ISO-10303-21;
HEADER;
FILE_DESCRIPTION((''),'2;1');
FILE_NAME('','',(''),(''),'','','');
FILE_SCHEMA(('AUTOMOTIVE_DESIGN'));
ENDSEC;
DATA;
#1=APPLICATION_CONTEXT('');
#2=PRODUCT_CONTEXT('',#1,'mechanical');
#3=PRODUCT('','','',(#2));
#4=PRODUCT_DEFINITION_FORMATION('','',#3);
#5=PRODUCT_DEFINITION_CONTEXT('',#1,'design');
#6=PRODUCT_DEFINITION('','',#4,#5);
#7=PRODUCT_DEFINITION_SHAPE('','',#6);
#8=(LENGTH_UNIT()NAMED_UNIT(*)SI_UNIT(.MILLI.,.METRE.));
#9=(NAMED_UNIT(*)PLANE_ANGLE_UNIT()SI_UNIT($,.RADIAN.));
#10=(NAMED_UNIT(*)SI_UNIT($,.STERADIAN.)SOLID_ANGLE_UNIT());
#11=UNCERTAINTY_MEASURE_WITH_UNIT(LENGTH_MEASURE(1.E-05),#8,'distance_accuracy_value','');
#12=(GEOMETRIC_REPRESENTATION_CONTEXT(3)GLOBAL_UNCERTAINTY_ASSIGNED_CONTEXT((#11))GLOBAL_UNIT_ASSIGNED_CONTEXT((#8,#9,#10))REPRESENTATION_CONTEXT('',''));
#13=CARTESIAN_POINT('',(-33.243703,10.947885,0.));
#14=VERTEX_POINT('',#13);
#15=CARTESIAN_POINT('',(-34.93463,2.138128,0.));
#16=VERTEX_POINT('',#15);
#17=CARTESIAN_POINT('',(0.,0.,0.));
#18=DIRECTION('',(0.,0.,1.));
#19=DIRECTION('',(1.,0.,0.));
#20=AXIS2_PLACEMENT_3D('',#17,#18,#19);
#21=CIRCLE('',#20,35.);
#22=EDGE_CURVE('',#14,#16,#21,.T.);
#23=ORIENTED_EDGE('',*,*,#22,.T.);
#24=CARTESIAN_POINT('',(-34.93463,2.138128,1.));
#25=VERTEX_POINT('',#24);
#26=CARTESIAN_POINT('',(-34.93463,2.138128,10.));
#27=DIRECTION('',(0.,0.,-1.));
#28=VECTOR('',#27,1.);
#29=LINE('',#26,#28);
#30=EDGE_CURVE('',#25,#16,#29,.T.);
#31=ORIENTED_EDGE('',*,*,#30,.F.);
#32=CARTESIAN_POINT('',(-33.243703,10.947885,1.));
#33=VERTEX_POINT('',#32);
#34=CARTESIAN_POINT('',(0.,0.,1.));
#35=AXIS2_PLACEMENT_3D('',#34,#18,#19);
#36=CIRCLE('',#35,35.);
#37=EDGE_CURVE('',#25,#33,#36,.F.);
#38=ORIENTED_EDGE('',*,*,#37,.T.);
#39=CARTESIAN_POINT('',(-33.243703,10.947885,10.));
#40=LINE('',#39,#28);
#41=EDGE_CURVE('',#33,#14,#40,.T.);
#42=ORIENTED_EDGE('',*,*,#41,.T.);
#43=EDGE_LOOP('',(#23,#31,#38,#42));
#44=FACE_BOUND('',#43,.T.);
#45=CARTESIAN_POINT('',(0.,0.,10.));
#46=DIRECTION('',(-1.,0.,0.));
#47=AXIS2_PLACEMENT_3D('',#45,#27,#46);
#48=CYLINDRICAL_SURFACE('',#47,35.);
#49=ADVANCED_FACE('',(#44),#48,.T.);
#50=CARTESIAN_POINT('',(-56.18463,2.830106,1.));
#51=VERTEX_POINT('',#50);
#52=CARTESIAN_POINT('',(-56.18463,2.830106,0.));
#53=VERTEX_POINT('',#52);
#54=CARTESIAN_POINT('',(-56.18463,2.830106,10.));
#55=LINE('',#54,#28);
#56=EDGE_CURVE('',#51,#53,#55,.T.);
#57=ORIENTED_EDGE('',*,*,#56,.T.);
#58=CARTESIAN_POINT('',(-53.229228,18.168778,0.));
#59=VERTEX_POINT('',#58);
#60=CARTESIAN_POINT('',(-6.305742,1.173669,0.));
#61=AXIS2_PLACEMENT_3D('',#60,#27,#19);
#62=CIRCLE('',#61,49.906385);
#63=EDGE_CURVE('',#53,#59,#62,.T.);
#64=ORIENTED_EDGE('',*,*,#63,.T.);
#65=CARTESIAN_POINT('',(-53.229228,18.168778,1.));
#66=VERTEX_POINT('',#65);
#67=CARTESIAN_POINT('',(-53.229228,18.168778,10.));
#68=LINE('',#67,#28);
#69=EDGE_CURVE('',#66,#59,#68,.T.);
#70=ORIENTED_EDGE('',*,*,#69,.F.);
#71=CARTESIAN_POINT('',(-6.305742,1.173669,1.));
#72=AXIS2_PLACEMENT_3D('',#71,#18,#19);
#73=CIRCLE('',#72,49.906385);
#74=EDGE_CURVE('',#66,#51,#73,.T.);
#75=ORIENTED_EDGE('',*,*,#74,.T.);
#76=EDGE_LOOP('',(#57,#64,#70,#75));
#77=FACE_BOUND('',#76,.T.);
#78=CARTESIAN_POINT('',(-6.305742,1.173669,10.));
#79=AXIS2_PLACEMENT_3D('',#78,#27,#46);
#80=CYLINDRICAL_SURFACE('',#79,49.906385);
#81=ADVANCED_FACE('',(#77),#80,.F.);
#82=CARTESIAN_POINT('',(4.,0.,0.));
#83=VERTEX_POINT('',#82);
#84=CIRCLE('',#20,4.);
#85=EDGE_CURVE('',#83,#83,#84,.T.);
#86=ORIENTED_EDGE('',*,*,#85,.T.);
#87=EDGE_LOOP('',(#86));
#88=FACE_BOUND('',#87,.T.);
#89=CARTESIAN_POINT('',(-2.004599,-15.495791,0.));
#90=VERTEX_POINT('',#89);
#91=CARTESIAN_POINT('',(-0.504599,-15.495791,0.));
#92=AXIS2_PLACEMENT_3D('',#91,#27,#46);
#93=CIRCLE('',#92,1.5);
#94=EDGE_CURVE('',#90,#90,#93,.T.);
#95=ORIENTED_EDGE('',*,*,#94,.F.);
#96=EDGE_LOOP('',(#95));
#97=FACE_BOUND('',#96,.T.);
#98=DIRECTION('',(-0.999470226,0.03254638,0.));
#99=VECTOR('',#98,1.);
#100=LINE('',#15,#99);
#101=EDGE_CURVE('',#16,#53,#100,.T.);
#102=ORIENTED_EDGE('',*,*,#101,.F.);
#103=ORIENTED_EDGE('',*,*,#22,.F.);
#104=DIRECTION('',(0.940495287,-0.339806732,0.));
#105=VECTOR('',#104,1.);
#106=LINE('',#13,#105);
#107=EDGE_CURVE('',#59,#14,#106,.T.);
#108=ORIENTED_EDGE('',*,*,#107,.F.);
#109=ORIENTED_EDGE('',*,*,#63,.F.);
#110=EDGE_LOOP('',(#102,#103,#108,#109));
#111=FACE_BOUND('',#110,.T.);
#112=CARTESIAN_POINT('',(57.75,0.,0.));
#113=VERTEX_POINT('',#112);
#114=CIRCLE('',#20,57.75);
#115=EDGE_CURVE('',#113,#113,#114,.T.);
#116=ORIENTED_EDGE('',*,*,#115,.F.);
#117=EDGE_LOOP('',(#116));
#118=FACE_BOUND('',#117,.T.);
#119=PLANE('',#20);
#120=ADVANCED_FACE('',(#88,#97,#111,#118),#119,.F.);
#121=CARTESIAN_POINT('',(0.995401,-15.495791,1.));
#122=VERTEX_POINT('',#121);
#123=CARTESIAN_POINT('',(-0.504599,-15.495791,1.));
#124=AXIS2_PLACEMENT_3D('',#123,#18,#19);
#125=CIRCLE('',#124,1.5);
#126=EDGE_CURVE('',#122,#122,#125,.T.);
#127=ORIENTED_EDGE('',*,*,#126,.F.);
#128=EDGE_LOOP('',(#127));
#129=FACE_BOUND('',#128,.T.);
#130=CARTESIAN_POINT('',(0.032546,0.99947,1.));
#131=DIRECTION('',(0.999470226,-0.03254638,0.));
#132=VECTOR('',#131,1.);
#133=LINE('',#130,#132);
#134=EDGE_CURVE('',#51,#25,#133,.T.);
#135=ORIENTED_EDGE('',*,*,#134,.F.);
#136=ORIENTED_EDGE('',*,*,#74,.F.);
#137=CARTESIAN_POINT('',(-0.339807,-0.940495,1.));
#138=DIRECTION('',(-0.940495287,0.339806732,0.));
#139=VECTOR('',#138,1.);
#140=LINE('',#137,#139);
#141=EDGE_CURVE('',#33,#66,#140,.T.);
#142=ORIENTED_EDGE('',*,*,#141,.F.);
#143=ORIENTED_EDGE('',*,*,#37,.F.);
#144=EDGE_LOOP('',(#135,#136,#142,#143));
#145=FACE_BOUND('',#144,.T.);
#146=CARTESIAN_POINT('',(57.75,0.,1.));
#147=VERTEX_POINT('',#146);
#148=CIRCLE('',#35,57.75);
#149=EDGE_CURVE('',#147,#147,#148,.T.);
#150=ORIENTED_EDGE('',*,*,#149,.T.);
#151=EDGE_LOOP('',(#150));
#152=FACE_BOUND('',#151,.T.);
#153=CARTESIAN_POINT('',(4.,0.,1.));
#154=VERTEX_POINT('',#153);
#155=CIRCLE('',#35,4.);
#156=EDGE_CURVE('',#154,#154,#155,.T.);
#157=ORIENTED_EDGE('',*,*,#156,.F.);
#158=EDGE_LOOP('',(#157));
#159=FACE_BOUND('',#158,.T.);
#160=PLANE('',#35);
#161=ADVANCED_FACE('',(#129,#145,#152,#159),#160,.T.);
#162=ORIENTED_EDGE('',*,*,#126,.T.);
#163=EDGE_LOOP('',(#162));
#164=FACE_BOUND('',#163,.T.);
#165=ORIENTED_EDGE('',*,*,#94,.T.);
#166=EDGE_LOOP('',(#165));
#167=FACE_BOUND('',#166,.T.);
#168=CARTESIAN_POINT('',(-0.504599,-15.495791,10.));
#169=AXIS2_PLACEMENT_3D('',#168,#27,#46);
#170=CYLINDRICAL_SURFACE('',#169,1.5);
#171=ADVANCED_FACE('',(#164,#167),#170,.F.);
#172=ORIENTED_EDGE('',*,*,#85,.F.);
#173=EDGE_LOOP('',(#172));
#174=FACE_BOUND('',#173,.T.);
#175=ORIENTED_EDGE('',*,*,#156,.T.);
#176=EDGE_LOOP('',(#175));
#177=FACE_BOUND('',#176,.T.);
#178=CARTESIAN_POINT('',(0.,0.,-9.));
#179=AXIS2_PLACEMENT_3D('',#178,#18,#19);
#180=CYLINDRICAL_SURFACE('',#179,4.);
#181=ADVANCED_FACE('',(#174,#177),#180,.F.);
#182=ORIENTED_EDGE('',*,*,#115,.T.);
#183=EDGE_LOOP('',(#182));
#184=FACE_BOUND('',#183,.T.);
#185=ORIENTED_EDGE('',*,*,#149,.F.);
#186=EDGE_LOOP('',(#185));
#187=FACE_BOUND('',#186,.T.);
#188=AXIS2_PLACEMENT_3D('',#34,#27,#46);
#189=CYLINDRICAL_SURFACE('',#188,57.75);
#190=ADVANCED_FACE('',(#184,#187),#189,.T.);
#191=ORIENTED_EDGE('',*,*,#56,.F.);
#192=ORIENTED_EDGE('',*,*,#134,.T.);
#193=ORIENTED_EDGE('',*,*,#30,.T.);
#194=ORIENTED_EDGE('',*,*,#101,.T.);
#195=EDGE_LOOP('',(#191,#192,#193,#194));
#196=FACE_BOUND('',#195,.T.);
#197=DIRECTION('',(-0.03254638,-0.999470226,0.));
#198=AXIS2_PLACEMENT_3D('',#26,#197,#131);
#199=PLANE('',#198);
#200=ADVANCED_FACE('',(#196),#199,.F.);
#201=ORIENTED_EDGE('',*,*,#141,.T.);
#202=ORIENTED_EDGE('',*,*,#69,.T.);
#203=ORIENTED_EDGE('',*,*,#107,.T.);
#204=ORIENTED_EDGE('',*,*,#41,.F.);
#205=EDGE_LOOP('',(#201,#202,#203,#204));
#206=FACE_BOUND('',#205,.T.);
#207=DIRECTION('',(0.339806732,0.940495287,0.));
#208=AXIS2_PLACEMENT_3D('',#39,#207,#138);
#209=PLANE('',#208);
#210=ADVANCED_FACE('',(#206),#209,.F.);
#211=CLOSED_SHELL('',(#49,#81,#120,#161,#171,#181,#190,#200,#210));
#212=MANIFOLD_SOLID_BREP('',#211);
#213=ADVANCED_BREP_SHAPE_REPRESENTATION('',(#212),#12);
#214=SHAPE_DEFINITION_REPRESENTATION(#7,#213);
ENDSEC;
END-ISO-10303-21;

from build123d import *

# Parameters (mm, degrees)
ESQUISSE1_R             = 57.75
BOSS_EXTRU_1_DEPTH      = 1
ESQUISSE2_R             = 4
ENL_V_MAT_EXTRU_1_DEPTH = 10
ENL_V_MAT_EXTRU_4_DEPTH = 10
ESQUISSE5_R             = 1.5
ENL_V_MAT_EXTRU_5_DEPTH = 10


with BuildPart() as part:
    # Esquisse1 → Boss.-Extru.1 (new body)
    with BuildSketch(Plane.XY):
        Circle(ESQUISSE1_R)
    extrude(amount=BOSS_EXTRU_1_DEPTH)

    # Esquisse2 → Enlèv. mat.-Extru.1 (cut)
    with BuildSketch(Plane.XY.offset(1)):
        Circle(ESQUISSE2_R)
    extrude(amount=-ENL_V_MAT_EXTRU_1_DEPTH, mode=Mode.SUBTRACT)

    # Esquisse4 → Enlèv. mat.-Extru.4 (cut)
    with BuildSketch(Plane(origin=(0, 0, 0), x_dir=(-1, 0, 0), z_dir=(0, 0, -1))):
        with BuildLine():
            Line((33.243703386, 10.947884963), (53.229228234, 18.16877802))
            ThreePointArc((53.229228234, 18.16877802), (55.31077904, 10.615789501), (56.184630477, 2.830105651))
            Line((56.184630477, 2.830105651), (34.934630477, 2.138128484))
            ThreePointArc((34.934630477, 2.138128484), (34.372579979, 6.597404459), (33.243703386, 10.947884963))
        make_face()
    extrude(amount=-ENL_V_MAT_EXTRU_4_DEPTH, mode=Mode.SUBTRACT)

    # Esquisse5 → Enlèv. mat.-Extru.5 (cut)
    with BuildSketch(Plane(origin=(0, 0, 0), x_dir=(-1, 0, 0), z_dir=(0, 0, -1))):
        with Locations((0.504599234, -15.495791231)):
            Circle(ESQUISSE5_R)
    extrude(amount=-ENL_V_MAT_EXTRU_5_DEPTH, mode=Mode.SUBTRACT)


solid = part.part
